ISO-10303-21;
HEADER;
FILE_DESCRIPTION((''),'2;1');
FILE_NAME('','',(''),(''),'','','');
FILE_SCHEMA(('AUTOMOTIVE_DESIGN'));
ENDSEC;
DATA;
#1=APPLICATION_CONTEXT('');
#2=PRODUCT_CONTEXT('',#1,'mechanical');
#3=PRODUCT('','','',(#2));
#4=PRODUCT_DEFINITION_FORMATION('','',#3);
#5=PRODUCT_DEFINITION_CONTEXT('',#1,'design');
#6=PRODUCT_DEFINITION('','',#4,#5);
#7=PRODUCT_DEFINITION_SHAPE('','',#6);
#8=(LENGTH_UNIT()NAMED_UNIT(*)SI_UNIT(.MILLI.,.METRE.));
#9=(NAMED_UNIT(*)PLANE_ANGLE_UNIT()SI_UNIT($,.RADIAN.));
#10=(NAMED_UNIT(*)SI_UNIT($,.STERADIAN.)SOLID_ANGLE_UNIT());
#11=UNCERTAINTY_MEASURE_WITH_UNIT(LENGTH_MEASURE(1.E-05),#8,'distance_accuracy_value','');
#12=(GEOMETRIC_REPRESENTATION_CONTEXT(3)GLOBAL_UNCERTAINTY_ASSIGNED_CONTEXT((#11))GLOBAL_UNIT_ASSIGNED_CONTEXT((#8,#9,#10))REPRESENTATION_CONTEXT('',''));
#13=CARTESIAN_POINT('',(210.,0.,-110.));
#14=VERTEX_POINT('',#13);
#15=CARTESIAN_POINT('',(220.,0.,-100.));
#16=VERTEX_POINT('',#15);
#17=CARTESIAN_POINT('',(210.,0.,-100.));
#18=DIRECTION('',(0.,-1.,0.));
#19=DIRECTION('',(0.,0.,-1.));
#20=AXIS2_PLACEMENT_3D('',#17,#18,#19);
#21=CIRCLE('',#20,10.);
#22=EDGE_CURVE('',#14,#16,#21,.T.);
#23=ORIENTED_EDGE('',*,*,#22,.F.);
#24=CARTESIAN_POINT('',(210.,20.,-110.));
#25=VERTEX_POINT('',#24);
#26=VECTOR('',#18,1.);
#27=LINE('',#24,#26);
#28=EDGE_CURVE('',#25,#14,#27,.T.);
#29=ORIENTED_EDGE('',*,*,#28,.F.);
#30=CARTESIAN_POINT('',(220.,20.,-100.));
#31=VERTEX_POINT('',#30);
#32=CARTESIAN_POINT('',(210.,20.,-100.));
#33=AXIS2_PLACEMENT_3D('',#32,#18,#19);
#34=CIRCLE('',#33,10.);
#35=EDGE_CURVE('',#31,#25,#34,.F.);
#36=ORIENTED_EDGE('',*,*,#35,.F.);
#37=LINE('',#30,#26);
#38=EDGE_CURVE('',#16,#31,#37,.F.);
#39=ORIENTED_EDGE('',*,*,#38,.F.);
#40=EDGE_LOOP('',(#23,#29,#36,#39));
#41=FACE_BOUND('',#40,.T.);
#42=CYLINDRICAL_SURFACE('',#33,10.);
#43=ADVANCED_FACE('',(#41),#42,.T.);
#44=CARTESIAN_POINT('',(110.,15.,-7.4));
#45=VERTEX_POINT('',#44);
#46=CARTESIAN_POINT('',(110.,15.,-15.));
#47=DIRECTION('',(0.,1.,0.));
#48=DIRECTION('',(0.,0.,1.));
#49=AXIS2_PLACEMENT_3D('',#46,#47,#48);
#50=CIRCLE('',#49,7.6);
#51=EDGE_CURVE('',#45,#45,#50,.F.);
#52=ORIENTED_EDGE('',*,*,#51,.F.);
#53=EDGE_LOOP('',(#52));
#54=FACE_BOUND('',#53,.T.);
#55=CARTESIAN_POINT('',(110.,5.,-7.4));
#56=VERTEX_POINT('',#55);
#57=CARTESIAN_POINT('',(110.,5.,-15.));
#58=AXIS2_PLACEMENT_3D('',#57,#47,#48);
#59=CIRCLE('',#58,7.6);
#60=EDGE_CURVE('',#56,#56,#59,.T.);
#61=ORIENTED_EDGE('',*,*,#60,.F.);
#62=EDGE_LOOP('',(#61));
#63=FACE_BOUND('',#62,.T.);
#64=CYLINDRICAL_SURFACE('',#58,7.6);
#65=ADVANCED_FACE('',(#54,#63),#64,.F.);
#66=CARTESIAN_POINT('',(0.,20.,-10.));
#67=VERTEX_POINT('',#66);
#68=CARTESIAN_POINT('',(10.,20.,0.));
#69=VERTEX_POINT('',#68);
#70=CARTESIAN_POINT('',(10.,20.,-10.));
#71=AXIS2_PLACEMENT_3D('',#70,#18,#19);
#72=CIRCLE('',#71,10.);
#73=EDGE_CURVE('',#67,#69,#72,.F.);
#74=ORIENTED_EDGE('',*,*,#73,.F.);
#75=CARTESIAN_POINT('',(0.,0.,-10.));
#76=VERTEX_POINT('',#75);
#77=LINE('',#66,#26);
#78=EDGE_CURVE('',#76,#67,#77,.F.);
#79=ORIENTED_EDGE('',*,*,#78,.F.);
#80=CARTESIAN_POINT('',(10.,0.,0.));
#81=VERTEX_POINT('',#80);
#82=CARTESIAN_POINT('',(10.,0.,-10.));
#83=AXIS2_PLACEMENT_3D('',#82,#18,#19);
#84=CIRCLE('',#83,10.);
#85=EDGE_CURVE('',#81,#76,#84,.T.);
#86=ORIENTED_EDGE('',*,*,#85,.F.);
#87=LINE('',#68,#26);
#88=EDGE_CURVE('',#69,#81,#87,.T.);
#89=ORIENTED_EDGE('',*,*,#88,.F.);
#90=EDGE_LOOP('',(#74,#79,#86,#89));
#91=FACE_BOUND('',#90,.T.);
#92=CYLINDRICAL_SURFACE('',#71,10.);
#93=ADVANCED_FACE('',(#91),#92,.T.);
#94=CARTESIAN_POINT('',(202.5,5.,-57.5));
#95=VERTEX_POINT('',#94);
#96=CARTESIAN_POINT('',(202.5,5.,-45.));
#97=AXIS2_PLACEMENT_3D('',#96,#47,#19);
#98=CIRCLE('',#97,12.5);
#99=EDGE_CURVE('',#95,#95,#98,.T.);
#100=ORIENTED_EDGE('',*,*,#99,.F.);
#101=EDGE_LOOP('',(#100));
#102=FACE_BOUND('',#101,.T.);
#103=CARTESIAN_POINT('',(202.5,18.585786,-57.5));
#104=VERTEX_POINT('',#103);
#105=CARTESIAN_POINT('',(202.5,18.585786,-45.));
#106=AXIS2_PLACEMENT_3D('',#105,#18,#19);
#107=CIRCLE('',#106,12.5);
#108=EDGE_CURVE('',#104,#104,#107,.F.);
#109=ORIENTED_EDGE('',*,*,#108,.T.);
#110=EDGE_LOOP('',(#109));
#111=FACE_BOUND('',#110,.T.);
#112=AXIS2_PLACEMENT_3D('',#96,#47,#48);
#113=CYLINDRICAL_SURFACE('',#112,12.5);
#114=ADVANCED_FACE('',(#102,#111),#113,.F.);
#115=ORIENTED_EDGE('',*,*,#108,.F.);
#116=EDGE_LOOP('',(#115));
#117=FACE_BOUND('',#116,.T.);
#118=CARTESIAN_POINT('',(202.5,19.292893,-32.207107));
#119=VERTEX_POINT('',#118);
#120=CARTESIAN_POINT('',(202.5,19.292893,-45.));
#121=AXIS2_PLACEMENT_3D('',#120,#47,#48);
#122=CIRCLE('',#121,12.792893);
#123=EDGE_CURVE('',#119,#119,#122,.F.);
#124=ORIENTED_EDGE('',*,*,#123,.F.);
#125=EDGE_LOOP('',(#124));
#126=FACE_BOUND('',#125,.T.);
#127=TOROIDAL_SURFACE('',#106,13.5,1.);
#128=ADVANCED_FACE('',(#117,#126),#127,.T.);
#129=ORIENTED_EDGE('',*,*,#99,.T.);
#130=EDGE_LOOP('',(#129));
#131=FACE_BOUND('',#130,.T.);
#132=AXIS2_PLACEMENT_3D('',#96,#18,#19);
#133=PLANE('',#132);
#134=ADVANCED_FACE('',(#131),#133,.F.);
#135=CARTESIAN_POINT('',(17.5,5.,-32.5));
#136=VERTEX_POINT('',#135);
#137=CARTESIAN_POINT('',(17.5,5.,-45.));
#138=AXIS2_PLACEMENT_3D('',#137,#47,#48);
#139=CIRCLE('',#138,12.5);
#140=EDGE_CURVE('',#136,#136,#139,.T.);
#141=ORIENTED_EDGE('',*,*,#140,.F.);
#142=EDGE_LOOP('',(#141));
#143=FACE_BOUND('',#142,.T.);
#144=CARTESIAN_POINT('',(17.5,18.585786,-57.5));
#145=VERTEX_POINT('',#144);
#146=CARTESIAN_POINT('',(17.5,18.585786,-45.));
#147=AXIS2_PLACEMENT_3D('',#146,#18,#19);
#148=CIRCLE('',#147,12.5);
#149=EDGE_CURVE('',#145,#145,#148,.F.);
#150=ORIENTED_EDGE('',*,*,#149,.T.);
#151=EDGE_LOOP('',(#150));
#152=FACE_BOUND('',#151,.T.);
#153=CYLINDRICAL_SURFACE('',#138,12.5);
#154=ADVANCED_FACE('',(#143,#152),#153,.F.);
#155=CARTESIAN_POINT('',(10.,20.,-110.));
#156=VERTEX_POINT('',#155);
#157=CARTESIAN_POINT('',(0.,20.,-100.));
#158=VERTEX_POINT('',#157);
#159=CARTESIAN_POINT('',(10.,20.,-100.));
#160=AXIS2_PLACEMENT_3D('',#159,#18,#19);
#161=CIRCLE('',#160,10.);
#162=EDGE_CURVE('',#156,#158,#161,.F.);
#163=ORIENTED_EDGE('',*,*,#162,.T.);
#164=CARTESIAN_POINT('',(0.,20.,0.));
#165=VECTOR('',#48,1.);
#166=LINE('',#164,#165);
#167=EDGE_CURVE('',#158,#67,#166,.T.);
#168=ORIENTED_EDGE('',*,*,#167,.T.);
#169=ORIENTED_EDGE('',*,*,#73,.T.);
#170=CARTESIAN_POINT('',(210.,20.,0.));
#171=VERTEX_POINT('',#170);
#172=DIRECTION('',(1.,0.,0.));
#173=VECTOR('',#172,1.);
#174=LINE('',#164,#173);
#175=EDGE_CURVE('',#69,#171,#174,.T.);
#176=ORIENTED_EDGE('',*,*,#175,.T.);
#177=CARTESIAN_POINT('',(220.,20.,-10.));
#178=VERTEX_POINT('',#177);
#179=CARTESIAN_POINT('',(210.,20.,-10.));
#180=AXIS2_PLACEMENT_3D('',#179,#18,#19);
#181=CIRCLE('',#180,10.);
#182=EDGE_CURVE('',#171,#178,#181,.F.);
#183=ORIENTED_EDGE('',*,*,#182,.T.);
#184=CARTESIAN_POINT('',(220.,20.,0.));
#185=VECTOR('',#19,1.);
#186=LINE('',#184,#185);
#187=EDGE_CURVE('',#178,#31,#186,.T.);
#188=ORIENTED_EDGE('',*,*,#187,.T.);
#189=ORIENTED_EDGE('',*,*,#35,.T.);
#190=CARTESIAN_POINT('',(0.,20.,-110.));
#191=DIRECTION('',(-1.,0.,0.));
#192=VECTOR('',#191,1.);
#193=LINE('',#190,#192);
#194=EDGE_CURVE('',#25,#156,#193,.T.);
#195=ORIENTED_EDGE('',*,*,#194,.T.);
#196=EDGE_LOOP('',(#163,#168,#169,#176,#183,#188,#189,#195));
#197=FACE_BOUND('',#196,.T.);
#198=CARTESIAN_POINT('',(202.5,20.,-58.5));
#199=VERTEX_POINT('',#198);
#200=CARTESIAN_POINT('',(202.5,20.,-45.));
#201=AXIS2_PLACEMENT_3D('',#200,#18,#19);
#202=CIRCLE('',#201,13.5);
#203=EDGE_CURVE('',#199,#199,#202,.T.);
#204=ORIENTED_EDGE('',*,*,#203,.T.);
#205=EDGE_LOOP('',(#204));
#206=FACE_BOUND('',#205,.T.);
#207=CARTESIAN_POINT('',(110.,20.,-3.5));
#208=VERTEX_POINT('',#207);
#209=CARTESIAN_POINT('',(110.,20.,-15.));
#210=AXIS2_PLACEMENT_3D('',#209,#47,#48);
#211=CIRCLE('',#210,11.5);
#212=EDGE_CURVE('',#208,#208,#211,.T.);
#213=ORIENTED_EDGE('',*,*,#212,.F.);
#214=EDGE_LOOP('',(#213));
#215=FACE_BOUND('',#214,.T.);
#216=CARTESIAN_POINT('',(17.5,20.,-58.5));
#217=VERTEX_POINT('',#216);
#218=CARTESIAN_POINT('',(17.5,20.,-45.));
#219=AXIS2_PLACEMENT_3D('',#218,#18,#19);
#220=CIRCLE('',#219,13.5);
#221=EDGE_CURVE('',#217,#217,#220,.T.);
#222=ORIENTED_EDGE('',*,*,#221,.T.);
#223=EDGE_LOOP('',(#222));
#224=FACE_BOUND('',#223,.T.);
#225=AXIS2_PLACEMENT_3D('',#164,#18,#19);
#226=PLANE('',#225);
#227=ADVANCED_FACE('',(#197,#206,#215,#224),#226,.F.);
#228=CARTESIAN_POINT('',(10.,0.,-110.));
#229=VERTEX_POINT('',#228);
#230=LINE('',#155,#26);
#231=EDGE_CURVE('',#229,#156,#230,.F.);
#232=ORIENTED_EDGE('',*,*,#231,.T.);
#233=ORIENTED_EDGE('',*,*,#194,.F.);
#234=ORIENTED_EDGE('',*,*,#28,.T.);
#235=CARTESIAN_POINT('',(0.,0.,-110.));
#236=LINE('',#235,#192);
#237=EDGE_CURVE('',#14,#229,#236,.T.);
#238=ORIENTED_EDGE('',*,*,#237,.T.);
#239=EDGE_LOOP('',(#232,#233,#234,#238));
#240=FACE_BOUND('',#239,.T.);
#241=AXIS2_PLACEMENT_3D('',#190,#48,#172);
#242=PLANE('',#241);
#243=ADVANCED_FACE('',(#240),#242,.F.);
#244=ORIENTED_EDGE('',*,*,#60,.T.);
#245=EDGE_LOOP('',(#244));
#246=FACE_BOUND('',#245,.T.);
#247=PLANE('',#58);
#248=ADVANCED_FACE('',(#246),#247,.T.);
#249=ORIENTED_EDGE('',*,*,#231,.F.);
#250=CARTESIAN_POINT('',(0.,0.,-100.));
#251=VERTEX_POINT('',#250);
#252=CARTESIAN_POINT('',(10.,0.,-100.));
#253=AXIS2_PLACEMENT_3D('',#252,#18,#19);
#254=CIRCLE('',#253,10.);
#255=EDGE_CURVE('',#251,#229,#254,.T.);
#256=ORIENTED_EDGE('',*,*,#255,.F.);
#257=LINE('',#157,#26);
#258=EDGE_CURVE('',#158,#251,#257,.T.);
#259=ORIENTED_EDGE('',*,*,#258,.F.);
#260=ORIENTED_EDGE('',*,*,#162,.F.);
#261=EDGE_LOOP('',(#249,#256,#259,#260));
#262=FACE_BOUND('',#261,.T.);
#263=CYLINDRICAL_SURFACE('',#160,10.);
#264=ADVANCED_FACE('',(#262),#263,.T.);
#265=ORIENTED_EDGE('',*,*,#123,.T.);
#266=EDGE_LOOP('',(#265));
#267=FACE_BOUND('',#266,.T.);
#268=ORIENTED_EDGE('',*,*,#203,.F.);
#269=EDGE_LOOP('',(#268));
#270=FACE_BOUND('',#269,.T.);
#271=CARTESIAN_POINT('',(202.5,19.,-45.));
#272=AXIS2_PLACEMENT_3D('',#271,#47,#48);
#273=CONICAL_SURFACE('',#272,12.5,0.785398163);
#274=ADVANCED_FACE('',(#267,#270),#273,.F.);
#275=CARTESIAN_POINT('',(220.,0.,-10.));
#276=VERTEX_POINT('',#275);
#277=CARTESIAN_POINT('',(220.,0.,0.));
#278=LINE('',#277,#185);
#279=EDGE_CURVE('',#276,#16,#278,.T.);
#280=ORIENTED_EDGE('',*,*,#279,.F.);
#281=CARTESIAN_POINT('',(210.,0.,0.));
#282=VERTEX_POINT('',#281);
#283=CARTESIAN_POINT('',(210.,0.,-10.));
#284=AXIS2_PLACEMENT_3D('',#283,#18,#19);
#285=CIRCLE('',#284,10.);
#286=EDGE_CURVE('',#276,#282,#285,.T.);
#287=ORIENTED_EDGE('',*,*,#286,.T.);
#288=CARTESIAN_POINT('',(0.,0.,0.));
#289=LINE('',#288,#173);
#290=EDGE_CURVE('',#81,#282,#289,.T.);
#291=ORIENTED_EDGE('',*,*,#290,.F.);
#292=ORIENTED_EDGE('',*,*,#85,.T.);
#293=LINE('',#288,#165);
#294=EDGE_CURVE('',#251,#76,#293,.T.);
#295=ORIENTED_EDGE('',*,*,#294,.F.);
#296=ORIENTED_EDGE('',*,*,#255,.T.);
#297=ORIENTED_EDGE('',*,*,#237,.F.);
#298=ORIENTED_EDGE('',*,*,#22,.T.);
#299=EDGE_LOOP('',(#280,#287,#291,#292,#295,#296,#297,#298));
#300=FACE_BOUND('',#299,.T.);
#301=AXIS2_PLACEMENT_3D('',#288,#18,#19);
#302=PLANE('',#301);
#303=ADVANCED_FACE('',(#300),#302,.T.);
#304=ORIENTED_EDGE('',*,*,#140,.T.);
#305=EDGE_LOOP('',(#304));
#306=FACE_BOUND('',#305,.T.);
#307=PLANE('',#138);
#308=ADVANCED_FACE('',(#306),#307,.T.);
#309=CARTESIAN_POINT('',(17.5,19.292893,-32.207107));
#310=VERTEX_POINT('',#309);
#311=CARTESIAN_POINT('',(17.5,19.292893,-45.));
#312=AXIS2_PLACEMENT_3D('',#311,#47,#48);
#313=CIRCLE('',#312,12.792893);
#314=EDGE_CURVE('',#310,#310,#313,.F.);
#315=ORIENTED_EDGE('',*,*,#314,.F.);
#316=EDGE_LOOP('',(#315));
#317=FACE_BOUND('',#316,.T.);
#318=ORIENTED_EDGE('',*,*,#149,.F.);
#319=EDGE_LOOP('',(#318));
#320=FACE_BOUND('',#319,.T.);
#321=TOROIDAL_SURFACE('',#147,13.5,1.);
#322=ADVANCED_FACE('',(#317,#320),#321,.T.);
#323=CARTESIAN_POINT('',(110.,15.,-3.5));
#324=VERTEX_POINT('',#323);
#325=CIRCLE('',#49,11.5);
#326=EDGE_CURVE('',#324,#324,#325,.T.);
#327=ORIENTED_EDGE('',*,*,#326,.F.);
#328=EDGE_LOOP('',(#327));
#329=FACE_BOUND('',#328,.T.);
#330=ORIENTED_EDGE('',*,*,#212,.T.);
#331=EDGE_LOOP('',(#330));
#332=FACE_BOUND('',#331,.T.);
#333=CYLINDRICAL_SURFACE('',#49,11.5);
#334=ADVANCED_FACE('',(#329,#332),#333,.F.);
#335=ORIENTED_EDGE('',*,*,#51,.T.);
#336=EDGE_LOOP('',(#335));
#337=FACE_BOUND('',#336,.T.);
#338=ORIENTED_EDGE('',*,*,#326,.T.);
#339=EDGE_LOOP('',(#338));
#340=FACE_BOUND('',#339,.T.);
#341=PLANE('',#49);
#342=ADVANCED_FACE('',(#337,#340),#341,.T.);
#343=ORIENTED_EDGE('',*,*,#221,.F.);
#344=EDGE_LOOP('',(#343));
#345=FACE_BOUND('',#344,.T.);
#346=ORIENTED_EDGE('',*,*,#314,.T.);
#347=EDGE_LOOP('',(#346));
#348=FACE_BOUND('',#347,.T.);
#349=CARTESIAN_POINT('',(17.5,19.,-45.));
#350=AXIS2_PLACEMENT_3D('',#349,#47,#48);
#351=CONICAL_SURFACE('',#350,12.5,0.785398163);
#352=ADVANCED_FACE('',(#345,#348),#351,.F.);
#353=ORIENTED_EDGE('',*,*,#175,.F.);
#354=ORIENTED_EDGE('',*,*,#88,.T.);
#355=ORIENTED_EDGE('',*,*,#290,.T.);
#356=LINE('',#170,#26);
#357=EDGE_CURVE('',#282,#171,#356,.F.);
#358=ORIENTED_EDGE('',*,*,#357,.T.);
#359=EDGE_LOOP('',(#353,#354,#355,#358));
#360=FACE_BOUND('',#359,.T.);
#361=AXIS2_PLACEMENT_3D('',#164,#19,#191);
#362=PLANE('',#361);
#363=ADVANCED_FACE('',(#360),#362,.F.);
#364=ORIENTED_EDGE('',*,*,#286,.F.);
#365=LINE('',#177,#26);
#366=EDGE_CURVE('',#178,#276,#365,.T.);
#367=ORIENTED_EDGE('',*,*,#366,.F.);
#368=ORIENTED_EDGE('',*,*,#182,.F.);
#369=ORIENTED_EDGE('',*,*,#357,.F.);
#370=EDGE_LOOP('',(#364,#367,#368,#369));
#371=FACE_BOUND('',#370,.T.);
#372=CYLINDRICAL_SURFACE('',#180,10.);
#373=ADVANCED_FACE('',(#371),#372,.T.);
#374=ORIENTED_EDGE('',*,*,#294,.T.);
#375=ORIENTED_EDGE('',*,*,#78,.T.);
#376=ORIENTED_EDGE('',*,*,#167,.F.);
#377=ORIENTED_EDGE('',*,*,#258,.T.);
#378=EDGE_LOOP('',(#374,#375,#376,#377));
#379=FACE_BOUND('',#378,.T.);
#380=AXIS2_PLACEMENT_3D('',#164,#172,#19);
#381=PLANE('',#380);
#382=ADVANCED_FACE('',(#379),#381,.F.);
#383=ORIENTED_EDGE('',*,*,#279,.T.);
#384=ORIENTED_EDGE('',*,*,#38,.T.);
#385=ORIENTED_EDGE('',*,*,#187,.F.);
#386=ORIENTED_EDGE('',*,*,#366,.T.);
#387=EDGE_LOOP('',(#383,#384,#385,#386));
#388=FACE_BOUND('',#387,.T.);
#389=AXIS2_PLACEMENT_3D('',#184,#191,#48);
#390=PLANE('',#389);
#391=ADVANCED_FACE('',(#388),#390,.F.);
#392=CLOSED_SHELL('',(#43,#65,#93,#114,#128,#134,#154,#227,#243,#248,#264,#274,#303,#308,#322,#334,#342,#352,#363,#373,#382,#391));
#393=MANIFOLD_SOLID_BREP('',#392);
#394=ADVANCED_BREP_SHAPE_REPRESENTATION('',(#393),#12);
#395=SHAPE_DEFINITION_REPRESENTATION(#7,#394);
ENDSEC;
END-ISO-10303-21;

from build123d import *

# Parameters (mm, degrees)
SKETCH1_W           = 220
SKETCH1_H           = 110
BOSS_EXTRUDE1_DEPTH = 20
SKETCH2_R           = 12.5
SKETCH2_R_2         = 7.6
CUT_EXTRUDE1_DEPTH  = 15
CHAMFER1_SIZE       = 1
FILLET1_R           = 1
SKETCH4_R           = 11.5
CUT_EXTRUDE2_DEPTH  = 5
FILLET2_R           = 10


with BuildPart() as part:
    # Sketch1 → Boss-Extrude1 (new body)
    with BuildSketch(Plane(origin=(0, 0, 0), x_dir=(1, 0, 0), z_dir=(0, 1, 0))):
        with Locations((110, 55)):
            Rectangle(SKETCH1_W, SKETCH1_H)
    extrude(amount=BOSS_EXTRUDE1_DEPTH)

    # Sketch2 → Cut-Extrude1 (cut)
    with BuildSketch(Plane(origin=(0, 20, 0), x_dir=(1, 0, 0), z_dir=(0, 1, 0))):
        with Locations(Location((17.5, 45, 0), (0, 0, 270))):
            Circle(SKETCH2_R)
        with Locations(Location((202.5, 45, 0), (0, 0, 90))):
            Circle(SKETCH2_R)
        with Locations(Location((110, 15, 0), (0, 0, 270))):
            Circle(SKETCH2_R_2)
    extrude(amount=-CUT_EXTRUDE1_DEPTH, mode=Mode.SUBTRACT)

    # Chamfer1
    chamfer1_edges = [part.edges().sort_by_distance(p)[0] for p in [
        (17.5, 20, -57.5),
        (202.5, 20, -32.5),
    ]]
    chamfer(chamfer1_edges, length=CHAMFER1_SIZE)

    # Fillet1
    fillet1_edges = [part.edges().sort_by_distance(p)[0] for p in [
        (202.5, 19, -32.5),
        (17.5, 19, -57.5),
    ]]
    fillet(fillet1_edges, radius=FILLET1_R)

    # Sketch4 → Cut-Extrude2 (cut)
    with BuildSketch(Plane(origin=(0, 20, 0), x_dir=(1, 0, 0), z_dir=(0, 1, 0))):
        with Locations(Location((110, 15, 0), (0, 0, 270))):
            Circle(SKETCH4_R)
    extrude(amount=-CUT_EXTRUDE2_DEPTH, mode=Mode.SUBTRACT)

    # Fillet2
    fillet2_edges = [part.edges().sort_by_distance(p)[0] for p in [
        (0, 10, -110),
        (220, 10, -110),
        (220, 10, 0),
        (0, 10, 0),
    ]]
    fillet(fillet2_edges, radius=FILLET2_R)


solid = part.part
